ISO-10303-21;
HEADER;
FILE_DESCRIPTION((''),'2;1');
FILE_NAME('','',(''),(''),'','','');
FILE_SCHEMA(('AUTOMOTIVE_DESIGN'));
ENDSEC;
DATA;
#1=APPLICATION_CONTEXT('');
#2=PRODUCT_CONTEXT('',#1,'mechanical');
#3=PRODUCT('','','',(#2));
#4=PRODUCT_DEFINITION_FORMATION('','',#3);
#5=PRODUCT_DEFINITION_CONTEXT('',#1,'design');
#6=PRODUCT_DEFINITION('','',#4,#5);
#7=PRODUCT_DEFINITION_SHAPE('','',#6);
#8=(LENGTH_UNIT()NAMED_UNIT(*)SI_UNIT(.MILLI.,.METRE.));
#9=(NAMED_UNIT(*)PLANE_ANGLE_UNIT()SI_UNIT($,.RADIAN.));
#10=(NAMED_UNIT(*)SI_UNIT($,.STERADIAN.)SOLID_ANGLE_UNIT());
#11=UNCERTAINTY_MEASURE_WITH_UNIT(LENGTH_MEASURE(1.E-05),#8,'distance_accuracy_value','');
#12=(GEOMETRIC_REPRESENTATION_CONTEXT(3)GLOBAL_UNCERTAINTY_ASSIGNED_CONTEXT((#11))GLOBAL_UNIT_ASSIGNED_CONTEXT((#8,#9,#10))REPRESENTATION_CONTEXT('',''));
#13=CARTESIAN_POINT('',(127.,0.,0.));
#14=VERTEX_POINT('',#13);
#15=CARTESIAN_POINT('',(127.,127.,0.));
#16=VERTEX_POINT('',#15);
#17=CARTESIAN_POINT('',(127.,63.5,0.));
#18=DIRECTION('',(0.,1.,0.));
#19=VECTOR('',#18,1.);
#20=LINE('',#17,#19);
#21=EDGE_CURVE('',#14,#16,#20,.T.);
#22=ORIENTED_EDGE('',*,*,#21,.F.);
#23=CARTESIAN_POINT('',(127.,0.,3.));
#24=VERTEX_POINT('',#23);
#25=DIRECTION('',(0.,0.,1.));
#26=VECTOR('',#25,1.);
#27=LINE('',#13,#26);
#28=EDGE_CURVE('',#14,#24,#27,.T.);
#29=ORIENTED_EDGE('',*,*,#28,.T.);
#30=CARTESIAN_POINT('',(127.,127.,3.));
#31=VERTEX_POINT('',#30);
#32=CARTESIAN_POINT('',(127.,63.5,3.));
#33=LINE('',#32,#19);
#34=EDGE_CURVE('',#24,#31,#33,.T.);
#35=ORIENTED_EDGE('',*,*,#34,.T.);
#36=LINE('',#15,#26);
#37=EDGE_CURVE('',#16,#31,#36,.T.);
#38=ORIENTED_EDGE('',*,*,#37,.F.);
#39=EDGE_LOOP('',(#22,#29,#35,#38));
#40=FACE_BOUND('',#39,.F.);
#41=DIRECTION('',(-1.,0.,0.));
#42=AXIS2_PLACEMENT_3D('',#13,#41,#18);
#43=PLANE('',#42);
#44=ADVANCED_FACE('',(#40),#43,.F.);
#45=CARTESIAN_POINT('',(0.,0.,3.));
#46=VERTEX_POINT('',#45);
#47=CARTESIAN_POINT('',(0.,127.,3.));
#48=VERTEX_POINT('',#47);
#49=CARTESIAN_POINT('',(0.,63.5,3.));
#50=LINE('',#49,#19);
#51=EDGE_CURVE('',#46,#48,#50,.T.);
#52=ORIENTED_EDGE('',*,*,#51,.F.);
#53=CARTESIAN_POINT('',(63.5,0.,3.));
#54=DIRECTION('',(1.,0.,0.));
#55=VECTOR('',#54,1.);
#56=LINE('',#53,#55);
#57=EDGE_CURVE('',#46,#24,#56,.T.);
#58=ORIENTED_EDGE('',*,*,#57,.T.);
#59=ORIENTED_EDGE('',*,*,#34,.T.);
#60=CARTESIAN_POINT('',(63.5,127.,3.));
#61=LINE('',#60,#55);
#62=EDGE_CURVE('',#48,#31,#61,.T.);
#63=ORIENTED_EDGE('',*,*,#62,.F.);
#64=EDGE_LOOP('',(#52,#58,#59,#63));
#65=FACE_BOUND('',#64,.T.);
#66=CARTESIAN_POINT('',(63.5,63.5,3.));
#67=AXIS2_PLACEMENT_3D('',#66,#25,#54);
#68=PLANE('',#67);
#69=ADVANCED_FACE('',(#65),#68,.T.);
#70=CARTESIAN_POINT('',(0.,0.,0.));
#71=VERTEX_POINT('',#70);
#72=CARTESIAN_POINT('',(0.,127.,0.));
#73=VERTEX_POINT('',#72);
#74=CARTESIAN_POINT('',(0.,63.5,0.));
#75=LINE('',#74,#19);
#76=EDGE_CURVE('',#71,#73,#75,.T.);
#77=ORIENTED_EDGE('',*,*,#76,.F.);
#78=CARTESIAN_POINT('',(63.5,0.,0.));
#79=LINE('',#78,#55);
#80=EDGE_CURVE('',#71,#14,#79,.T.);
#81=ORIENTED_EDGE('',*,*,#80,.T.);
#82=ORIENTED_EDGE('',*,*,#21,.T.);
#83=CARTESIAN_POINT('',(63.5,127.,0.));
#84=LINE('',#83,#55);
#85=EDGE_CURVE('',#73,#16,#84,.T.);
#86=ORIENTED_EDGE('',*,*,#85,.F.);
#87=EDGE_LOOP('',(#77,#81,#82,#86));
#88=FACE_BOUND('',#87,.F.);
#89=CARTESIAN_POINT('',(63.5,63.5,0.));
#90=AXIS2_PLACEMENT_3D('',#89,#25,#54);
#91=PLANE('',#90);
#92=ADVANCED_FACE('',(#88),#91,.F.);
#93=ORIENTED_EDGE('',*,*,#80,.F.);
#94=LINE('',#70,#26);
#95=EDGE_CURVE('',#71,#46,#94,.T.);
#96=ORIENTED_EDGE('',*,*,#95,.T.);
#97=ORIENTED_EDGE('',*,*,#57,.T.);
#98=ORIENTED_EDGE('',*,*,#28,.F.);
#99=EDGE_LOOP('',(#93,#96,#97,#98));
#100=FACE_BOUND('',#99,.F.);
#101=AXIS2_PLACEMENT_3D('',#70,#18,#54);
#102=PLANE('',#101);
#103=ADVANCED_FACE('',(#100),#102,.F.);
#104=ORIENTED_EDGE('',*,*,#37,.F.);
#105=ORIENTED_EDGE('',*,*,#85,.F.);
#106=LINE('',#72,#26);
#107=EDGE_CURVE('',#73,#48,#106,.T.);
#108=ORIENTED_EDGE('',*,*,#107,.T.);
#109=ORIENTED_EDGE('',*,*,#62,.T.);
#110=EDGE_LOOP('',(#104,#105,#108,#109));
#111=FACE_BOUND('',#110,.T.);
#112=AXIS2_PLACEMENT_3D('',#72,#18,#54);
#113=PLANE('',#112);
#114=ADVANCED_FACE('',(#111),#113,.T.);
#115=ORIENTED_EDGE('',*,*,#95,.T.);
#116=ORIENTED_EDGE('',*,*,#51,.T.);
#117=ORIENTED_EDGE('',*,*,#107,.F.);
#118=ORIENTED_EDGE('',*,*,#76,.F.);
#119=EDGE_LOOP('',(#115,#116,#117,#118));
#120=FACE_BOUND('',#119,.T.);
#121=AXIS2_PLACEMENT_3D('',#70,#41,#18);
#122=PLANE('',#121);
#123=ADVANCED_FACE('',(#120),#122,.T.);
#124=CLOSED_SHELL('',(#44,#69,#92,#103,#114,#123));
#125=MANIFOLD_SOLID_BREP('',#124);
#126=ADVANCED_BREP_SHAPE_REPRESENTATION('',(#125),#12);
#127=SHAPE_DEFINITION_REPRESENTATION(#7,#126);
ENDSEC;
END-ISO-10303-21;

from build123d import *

# Parameters (mm, degrees)
BOX_W     = 127
BOX_H     = 127
BOX_DEPTH = 3


with BuildPart() as part:
    # Box → Box (new body)
    with BuildSketch(Plane.XY):
        with Locations((63.5, 63.5)):
            Rectangle(BOX_W, BOX_H)
    extrude(amount=BOX_DEPTH)


solid = part.part
